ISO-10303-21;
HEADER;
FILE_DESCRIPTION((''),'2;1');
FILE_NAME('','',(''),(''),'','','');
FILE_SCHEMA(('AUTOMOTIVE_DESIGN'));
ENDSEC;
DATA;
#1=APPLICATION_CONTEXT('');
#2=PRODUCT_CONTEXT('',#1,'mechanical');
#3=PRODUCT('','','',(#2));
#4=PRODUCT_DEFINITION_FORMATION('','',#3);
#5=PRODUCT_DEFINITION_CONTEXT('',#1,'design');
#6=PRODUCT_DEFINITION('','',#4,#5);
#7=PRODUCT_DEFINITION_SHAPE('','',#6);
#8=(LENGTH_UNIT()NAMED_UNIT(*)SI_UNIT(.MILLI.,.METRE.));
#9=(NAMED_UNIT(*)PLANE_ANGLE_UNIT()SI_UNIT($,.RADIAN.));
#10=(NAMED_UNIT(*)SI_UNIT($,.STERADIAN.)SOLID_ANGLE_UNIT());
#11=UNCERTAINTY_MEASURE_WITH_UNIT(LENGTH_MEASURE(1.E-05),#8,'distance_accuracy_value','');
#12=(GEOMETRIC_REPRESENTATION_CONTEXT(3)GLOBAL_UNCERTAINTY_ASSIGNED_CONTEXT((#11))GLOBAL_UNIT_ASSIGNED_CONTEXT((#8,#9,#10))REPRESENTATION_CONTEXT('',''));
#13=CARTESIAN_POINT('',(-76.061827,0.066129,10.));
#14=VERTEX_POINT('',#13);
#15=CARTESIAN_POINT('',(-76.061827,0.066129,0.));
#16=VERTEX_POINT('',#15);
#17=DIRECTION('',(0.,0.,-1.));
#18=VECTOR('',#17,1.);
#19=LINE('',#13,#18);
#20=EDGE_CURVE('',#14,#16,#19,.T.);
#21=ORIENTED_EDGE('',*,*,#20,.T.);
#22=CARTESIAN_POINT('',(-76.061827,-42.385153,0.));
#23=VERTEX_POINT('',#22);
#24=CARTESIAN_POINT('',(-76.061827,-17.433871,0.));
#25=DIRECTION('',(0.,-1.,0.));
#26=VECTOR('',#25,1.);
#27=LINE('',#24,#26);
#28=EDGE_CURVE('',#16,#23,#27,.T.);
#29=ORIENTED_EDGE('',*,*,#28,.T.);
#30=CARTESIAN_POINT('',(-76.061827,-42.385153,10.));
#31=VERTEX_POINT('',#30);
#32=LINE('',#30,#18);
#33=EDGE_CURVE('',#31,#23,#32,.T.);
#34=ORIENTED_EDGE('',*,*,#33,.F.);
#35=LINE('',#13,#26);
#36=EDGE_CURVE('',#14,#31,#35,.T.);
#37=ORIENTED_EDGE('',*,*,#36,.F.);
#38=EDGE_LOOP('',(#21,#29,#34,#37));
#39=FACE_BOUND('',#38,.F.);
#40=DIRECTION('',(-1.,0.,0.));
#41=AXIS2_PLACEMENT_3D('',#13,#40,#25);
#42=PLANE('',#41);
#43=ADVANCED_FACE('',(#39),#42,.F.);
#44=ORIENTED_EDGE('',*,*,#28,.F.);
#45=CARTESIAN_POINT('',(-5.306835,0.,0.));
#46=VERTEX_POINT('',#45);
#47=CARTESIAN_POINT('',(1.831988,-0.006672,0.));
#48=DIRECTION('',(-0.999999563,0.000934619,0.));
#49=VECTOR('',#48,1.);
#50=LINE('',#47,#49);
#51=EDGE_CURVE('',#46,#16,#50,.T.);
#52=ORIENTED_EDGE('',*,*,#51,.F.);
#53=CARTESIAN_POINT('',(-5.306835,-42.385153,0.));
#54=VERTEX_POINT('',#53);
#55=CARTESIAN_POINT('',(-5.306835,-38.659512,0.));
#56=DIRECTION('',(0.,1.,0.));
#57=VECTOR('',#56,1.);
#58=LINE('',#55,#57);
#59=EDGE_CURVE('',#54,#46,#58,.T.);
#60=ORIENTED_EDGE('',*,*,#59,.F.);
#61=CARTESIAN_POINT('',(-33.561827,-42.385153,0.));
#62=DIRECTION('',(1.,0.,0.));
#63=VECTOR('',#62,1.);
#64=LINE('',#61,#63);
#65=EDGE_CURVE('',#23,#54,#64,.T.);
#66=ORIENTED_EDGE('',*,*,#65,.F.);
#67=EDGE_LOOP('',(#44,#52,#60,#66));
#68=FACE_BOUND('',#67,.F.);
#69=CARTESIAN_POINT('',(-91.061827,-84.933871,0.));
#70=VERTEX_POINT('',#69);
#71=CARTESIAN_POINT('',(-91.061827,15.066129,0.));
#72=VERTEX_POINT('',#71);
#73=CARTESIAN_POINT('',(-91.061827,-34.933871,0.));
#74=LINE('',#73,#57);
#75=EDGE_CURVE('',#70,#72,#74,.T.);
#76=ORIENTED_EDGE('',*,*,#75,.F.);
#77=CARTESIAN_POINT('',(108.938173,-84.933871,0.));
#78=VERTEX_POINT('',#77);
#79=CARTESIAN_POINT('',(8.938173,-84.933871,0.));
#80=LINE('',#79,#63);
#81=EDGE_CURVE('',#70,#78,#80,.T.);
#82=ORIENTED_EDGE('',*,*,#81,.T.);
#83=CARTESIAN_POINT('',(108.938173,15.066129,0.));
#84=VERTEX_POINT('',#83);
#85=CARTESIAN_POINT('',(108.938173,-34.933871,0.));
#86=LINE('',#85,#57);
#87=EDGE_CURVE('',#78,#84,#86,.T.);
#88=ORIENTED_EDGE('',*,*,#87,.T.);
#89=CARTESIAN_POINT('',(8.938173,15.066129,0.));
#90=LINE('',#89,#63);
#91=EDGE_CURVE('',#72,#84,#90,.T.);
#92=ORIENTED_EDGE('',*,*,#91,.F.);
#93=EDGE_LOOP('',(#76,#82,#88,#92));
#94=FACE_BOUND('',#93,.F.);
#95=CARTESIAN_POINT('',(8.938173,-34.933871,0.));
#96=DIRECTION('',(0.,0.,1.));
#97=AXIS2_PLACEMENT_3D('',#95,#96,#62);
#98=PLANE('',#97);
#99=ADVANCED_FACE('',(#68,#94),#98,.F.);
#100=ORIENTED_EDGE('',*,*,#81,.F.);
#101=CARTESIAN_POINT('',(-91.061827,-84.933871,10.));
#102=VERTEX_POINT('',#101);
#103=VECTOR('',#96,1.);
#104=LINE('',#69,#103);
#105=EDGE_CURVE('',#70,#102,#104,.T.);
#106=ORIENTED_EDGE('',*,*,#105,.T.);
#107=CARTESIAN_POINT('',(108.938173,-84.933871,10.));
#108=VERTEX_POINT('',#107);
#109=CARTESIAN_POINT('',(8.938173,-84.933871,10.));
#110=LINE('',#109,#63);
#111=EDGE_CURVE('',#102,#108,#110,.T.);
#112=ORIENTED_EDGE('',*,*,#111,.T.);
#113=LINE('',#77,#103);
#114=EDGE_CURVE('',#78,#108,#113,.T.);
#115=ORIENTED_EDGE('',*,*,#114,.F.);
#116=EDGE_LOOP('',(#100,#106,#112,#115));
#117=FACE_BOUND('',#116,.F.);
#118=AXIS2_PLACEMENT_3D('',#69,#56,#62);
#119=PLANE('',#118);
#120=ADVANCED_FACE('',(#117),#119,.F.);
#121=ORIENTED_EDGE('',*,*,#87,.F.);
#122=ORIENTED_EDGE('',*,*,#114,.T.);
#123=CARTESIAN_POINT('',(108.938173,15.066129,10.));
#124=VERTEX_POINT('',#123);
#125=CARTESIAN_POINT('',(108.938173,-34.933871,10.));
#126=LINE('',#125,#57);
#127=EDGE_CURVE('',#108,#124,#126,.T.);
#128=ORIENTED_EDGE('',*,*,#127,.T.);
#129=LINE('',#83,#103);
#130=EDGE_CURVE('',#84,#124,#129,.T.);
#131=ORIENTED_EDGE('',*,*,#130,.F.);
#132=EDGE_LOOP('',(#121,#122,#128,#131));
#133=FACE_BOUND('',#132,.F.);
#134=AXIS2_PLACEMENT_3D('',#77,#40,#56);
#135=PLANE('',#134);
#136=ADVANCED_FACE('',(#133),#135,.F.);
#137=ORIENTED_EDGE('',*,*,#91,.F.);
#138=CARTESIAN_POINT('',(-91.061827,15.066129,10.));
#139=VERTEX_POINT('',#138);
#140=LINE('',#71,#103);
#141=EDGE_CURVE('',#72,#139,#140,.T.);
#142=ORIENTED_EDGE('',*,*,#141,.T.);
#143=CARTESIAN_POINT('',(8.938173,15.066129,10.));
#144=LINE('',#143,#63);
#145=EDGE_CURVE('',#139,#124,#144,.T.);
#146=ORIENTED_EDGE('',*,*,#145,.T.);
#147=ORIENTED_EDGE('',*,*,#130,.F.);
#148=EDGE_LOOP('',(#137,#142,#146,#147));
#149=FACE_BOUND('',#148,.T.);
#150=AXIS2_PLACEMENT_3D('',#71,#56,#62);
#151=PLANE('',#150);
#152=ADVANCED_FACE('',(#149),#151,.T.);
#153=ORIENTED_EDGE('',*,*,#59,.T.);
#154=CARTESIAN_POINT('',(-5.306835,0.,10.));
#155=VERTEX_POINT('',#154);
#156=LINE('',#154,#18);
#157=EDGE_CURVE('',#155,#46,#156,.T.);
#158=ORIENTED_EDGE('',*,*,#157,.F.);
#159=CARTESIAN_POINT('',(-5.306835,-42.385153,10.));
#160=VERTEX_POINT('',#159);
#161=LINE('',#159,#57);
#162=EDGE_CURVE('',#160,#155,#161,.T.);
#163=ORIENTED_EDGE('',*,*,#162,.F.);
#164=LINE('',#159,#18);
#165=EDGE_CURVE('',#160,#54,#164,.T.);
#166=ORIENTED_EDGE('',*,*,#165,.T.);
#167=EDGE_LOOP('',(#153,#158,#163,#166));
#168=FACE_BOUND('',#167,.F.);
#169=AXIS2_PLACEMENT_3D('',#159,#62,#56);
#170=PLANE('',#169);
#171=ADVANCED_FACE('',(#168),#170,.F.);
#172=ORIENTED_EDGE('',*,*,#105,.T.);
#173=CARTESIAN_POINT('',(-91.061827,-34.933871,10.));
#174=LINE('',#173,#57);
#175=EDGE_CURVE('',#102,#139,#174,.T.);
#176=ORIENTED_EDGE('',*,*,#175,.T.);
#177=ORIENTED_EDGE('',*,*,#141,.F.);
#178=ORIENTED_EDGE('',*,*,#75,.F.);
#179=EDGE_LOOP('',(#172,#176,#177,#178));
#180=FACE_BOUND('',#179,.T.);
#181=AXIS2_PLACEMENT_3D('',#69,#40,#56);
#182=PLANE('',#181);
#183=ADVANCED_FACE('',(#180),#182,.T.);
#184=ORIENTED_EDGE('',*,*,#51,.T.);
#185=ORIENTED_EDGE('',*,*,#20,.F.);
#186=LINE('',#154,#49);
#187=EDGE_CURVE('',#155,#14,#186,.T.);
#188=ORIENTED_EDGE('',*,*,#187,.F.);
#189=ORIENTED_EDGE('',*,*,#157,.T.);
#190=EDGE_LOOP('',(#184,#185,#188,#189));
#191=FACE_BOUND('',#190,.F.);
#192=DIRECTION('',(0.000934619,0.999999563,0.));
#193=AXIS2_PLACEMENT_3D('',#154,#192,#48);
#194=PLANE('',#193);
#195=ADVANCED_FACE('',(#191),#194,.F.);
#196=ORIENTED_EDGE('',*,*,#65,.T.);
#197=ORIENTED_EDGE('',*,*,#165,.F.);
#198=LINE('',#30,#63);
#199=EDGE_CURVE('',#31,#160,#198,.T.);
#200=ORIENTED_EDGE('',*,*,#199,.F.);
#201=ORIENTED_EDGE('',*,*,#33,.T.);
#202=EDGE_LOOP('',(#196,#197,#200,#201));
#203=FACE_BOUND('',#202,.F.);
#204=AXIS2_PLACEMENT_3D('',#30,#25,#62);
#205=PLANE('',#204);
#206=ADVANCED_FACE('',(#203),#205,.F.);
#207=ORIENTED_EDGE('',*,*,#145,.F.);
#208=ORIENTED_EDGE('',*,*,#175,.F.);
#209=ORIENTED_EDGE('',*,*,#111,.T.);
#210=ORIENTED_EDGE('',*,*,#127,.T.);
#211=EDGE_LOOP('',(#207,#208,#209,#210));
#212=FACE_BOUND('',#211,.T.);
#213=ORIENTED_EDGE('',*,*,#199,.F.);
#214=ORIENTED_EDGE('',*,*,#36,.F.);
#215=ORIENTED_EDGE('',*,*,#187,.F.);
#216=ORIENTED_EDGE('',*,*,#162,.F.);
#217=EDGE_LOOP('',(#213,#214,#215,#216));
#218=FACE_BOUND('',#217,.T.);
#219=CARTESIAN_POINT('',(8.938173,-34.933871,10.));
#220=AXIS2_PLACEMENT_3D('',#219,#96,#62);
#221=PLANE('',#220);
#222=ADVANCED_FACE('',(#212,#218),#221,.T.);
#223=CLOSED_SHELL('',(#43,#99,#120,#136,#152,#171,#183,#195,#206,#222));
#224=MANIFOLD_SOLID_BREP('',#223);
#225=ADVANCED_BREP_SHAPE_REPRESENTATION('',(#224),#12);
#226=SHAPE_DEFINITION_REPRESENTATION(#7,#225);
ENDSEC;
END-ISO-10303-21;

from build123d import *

# Parameters (mm, degrees)
F0_W     = 200
F0_H     = 100
F1_DEPTH = 10
F3_DEPTH = 25


with BuildPart() as f1:
    # F0 (on Top) → F1 (new body)
    with BuildSketch(Plane.XY):
        with Locations((8.938173, -34.933871)):
            Rectangle(F0_W, F0_H)
    extrude(amount=F1_DEPTH)

    # F2 (on face) → F3 (cut)
    with BuildSketch(Plane.XY.offset(10)):
        Polygon((-5.306835, -42.385153), (-5.306835, 0), (-76.061827, 0.066129), (-76.061827, -42.385153), align=None)
    extrude(amount=-F3_DEPTH, mode=Mode.SUBTRACT)


solid = f1.part
